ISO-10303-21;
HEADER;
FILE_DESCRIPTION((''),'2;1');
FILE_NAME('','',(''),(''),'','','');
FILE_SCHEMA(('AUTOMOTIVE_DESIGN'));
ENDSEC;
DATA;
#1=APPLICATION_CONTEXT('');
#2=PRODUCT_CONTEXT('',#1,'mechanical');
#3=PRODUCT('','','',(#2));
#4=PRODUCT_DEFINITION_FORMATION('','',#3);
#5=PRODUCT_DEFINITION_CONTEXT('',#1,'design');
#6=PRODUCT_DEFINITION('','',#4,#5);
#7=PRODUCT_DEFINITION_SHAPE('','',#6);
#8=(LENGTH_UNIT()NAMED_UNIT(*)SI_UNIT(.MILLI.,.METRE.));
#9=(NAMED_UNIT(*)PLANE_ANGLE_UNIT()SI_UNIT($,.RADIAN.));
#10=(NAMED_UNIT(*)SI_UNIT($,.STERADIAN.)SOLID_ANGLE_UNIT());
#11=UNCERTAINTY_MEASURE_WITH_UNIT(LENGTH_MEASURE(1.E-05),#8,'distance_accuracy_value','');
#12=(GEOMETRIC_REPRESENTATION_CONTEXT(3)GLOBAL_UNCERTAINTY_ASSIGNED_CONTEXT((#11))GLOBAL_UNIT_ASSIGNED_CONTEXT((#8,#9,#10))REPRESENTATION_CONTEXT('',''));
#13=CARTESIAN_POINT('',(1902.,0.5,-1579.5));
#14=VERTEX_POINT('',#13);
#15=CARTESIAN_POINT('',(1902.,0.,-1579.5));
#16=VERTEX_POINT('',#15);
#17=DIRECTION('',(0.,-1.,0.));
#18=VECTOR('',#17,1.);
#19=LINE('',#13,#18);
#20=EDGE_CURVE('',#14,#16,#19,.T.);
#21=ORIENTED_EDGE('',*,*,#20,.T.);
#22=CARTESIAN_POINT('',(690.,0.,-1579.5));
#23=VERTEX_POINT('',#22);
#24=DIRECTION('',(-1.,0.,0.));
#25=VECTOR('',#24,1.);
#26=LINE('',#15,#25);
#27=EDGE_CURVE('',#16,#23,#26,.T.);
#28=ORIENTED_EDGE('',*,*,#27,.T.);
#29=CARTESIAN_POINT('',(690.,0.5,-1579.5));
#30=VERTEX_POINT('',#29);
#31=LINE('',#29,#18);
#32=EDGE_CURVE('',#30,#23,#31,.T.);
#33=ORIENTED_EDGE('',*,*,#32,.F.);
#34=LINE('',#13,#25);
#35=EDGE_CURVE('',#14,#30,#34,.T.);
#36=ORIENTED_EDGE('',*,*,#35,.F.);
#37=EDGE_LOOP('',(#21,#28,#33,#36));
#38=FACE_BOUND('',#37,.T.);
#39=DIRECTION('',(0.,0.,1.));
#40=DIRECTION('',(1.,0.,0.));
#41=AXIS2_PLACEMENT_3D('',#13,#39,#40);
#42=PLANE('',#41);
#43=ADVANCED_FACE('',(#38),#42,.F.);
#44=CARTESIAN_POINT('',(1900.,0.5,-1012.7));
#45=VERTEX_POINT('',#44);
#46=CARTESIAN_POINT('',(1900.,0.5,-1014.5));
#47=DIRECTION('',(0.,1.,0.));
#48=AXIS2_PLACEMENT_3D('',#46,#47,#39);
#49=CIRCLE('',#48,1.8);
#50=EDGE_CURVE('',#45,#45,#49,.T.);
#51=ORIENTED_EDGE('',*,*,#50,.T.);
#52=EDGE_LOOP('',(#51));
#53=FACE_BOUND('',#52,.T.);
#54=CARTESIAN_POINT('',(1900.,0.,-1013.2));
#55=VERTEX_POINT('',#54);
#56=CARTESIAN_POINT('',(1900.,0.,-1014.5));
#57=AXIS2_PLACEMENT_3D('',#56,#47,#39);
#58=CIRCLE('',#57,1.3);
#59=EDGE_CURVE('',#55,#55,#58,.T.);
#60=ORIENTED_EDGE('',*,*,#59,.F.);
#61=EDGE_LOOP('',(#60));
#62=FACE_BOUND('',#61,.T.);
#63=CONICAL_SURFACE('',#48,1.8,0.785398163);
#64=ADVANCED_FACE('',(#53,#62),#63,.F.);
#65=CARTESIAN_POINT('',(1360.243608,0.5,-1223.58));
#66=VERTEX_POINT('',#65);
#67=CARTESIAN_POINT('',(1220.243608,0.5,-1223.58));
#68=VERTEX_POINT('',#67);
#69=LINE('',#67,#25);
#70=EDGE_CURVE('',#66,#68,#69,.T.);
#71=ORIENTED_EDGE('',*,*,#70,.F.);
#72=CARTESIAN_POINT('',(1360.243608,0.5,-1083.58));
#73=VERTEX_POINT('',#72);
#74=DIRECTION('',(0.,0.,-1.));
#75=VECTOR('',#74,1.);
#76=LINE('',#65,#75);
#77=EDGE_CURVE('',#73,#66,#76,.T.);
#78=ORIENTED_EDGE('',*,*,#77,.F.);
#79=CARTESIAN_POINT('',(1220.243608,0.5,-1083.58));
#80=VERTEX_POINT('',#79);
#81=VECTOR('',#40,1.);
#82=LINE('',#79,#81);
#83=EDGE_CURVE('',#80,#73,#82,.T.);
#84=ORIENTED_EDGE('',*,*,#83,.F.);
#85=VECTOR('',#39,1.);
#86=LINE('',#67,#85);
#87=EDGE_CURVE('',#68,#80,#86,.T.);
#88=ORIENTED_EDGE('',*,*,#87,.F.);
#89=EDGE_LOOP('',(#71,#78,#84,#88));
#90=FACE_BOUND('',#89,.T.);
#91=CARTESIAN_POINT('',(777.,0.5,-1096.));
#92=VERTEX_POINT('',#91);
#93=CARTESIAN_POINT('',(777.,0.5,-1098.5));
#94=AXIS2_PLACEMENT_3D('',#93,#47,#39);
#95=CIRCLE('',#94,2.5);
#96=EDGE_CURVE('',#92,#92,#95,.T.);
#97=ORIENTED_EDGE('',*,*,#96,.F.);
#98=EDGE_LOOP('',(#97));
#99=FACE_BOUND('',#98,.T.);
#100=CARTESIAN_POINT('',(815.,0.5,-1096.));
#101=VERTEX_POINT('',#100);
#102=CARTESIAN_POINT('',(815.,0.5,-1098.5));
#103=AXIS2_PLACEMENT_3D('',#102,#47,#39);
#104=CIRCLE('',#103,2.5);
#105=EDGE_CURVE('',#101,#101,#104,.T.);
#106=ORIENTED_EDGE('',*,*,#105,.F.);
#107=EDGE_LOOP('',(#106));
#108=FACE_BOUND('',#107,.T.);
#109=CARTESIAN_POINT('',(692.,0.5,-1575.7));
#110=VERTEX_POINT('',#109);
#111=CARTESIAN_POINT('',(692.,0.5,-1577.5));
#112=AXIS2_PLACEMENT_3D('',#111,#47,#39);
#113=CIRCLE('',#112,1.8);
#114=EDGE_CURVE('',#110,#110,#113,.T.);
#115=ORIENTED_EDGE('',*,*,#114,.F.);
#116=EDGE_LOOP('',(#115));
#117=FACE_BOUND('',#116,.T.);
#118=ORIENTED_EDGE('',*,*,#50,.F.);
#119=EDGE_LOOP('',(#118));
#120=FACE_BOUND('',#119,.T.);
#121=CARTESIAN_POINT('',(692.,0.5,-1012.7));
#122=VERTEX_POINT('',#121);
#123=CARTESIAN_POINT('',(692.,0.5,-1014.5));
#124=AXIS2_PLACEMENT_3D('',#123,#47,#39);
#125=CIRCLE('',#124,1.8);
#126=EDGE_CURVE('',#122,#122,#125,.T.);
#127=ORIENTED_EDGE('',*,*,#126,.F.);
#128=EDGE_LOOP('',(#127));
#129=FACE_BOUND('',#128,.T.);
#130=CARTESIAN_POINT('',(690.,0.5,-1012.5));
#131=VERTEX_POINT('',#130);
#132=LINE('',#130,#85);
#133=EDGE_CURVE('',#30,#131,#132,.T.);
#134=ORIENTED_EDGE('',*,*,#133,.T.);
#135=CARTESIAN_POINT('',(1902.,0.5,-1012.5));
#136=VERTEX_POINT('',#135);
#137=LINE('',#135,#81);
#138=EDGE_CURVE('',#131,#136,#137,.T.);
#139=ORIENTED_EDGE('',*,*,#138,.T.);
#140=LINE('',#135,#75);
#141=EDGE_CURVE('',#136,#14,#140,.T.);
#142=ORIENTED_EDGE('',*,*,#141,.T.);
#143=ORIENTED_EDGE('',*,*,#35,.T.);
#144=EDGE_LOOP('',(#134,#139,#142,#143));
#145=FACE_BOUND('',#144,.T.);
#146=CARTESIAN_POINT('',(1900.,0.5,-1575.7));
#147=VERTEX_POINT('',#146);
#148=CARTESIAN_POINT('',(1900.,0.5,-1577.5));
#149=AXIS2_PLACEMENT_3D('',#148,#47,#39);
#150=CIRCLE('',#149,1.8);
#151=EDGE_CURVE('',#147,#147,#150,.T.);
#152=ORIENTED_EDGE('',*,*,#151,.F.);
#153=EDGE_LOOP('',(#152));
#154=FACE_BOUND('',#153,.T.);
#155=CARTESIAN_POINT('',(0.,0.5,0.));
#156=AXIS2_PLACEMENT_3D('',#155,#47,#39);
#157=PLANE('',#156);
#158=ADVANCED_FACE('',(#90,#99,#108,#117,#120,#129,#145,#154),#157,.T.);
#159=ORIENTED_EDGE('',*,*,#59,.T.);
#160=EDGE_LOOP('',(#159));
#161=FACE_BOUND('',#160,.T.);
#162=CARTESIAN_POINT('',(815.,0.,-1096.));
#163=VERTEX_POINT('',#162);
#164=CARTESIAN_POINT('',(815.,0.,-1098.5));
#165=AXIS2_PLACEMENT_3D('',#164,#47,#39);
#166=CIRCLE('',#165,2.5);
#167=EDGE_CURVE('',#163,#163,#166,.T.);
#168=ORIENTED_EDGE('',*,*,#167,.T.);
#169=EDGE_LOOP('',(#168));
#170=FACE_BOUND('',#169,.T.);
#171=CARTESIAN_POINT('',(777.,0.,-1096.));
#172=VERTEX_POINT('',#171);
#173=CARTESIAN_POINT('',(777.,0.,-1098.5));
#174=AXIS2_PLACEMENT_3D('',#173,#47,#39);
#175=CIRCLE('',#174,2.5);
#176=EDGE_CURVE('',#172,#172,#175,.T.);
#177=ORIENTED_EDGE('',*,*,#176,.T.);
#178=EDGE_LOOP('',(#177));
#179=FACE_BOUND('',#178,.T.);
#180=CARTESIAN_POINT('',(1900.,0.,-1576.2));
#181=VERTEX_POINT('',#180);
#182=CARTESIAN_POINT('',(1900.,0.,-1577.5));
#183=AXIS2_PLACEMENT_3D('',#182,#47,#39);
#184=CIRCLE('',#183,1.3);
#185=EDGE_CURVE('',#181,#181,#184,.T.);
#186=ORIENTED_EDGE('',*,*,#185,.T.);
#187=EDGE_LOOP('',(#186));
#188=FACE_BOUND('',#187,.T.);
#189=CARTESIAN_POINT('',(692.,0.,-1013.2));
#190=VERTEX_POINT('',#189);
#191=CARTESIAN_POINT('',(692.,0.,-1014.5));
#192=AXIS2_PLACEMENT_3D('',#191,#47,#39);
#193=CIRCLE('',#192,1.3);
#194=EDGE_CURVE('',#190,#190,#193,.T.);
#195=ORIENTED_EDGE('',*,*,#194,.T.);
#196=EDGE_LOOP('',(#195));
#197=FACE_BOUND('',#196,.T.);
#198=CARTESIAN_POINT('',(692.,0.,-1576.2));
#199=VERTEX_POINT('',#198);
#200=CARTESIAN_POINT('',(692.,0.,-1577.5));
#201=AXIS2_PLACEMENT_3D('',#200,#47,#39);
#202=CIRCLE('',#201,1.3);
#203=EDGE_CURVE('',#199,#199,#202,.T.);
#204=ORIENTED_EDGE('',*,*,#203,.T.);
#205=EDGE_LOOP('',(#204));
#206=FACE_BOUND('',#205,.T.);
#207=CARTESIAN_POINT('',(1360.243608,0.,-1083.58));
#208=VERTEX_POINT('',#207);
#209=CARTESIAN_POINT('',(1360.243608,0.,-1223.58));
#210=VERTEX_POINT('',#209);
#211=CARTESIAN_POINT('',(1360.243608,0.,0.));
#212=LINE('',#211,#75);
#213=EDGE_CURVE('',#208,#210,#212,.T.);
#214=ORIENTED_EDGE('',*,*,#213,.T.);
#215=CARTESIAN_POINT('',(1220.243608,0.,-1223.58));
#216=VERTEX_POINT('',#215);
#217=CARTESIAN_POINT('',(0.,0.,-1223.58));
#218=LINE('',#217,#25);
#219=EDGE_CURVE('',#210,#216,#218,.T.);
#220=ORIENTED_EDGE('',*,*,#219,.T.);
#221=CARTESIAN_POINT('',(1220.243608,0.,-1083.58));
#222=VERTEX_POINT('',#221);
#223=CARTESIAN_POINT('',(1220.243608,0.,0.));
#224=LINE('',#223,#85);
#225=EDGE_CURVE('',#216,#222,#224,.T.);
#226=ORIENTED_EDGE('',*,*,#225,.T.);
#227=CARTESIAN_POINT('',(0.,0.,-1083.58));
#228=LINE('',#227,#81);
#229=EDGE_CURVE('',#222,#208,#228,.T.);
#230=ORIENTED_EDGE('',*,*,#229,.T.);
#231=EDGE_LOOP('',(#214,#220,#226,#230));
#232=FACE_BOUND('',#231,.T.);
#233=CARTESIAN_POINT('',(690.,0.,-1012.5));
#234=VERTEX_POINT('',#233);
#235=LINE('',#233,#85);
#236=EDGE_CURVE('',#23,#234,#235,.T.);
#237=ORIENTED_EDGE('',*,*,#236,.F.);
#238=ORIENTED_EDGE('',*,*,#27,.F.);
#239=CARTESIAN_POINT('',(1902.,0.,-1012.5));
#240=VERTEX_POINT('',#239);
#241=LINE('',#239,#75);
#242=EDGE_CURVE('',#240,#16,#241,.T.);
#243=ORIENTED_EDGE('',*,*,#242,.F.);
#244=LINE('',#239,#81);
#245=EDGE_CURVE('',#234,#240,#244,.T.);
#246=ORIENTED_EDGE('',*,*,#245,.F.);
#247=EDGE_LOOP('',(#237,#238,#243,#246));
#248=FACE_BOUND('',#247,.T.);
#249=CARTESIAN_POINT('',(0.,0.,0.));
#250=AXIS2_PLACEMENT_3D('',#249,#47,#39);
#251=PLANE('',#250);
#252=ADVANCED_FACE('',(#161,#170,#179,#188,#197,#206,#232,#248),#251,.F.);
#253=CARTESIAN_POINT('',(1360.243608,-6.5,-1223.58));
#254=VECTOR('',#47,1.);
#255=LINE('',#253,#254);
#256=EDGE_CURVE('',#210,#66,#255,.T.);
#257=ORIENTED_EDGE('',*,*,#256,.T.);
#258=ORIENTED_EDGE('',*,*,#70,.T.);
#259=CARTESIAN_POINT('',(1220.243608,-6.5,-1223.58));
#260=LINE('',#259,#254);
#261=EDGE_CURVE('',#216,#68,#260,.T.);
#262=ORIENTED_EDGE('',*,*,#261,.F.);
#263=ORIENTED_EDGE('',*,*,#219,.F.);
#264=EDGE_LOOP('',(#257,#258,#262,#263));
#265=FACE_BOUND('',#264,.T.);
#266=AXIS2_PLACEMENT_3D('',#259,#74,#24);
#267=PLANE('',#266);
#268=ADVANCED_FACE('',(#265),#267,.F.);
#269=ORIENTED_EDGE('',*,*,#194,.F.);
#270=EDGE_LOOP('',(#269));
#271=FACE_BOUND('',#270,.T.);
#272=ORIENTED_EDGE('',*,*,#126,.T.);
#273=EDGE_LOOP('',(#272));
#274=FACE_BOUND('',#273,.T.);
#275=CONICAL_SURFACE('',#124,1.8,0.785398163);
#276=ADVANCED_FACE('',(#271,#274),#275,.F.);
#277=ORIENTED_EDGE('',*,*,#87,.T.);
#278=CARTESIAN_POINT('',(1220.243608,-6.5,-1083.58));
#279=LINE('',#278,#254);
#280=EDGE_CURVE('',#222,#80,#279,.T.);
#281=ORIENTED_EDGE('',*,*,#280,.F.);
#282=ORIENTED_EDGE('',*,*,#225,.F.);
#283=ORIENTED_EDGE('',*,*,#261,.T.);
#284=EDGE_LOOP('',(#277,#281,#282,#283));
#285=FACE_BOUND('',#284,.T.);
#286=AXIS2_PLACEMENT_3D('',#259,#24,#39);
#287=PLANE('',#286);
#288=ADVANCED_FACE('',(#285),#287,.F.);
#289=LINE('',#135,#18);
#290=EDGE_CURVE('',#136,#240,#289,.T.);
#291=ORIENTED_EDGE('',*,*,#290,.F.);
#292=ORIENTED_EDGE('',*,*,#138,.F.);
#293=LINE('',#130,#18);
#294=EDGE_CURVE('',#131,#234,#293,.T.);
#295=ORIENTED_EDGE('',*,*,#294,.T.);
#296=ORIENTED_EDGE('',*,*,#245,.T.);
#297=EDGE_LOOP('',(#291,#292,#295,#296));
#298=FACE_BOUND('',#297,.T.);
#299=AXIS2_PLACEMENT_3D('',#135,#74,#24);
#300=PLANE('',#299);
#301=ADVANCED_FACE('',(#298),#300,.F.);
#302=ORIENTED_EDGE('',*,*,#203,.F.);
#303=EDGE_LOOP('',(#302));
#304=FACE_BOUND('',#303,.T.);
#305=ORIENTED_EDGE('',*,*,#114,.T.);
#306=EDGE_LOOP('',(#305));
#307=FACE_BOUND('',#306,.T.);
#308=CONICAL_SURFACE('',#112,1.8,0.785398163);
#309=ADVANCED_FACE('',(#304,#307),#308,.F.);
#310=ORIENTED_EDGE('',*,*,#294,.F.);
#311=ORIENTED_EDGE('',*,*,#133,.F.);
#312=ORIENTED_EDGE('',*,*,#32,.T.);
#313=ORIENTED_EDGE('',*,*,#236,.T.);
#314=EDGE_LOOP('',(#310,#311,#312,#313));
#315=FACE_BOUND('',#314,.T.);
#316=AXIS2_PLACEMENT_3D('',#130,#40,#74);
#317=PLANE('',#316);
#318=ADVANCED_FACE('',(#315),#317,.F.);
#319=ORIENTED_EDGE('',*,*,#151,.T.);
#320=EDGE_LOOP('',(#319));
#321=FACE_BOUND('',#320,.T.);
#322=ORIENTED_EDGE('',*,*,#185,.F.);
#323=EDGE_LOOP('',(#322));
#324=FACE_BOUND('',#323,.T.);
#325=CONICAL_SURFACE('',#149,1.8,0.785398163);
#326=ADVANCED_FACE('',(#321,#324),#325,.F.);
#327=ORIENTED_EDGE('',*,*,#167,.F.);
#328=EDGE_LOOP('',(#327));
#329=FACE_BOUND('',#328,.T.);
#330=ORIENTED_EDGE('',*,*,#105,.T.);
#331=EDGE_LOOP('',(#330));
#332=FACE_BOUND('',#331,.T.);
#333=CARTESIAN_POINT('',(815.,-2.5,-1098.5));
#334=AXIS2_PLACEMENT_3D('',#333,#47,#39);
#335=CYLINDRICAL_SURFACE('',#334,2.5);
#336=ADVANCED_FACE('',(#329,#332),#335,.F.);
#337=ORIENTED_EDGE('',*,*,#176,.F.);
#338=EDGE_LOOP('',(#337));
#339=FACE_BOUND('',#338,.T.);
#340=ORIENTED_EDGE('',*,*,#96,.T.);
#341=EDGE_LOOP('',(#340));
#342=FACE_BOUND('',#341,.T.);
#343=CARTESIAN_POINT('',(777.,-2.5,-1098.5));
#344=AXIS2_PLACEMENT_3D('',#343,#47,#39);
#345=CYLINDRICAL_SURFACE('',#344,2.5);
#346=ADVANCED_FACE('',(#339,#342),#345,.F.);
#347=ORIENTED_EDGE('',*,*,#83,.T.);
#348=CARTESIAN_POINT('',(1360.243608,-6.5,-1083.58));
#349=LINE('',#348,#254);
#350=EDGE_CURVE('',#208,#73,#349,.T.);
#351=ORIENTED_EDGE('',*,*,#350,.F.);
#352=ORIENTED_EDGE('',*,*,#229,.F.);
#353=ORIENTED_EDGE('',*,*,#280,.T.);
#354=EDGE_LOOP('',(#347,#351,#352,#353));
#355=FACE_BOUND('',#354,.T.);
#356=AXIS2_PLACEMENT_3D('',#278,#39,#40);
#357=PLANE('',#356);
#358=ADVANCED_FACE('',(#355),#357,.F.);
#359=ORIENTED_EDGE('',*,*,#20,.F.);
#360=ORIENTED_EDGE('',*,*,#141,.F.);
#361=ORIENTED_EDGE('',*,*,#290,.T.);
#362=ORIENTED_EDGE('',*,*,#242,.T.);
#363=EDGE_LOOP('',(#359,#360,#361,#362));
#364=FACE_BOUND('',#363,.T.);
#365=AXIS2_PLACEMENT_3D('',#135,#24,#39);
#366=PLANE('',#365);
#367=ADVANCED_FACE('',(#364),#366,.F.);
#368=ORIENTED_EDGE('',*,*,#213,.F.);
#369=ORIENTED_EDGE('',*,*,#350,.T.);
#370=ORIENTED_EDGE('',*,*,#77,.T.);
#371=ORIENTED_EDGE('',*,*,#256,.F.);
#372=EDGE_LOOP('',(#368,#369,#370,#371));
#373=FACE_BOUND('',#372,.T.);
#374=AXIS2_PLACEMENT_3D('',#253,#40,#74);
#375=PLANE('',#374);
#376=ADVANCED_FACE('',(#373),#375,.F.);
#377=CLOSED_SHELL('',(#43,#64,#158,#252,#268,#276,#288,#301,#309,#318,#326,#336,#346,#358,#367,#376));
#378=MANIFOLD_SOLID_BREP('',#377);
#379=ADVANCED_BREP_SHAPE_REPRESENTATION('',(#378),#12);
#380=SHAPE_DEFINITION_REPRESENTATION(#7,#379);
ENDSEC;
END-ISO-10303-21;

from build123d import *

# Parameters (mm, degrees)
SKETCH1_W                                            = 1212
SKETCH1_H                                            = 567
BOSS_EXTRUDE1_DEPTH                                  = 0.5
CSK_FOR_M1_6_COUNTERSUNK_FLAT_HEAD_SCREW_D           = 1.8
CSK_FOR_M1_6_COUNTERSUNK_FLAT_HEAD_SCREW_DEPTH       = 30
CSK_FOR_M1_6_COUNTERSUNK_FLAT_HEAD_SCREW_CSINK_D     = 3.6
CSK_FOR_M1_6_COUNTERSUNK_FLAT_HEAD_SCREW_CSINK_ANGLE = 90
CSK_FOR_M1_6_COUNTERSUNK_FLAT_HEAD_SCREW_TIP         = 0.540774557
SKETCH4_R                                            = 2.5
CUT_EXTRUDE1_DEPTH                                   = 3
SKETCH5_W                                            = 140
SKETCH5_H                                            = 140
CUT_EXTRUDE2_DEPTH                                   = 7


with BuildPart() as part:
    # Sketch1 → Boss-Extrude1 (new body)
    with BuildSketch(Plane(origin=(0, 0, 0), x_dir=(1, 0, 0), z_dir=(0, 1, 0))):
        with Locations((1295.999999997, 1296)):
            Rectangle(SKETCH1_W, SKETCH1_H)
    extrude(amount=BOSS_EXTRUDE1_DEPTH)

    # CSK for M1.6 Countersunk Flat Head Screw1
    with Locations(Plane(origin=(0, 0.5, 0), x_dir=(1, 0, 0), z_dir=(0, 1, 0))):
        with Locations((1899.999999997, 1577.5), (691.999999997, 1577.5), (691.999999997, 1014.5), (1899.999999997, 1014.5)):
            CounterSinkHole(CSK_FOR_M1_6_COUNTERSUNK_FLAT_HEAD_SCREW_D / 2, CSK_FOR_M1_6_COUNTERSUNK_FLAT_HEAD_SCREW_CSINK_D / 2, depth=CSK_FOR_M1_6_COUNTERSUNK_FLAT_HEAD_SCREW_DEPTH, counter_sink_angle=CSK_FOR_M1_6_COUNTERSUNK_FLAT_HEAD_SCREW_CSINK_ANGLE)
            with Locations((0, 0, -(CSK_FOR_M1_6_COUNTERSUNK_FLAT_HEAD_SCREW_DEPTH + CSK_FOR_M1_6_COUNTERSUNK_FLAT_HEAD_SCREW_TIP / 2))):  # 118° drill point
                Cone(0, CSK_FOR_M1_6_COUNTERSUNK_FLAT_HEAD_SCREW_D / 2, CSK_FOR_M1_6_COUNTERSUNK_FLAT_HEAD_SCREW_TIP, mode=Mode.SUBTRACT)

    # Sketch4 → Cut-Extrude1 (cut)
    with BuildSketch(Plane(origin=(0, 0.5, 0), x_dir=(1, 0, 0), z_dir=(0, 1, 0))):
        with Locations(Location((776.999999997, 1098.5, 0), (0, 0, 270))):
            Circle(SKETCH4_R)
        with Locations(Location((814.999999997, 1098.5, 0), (0, 0, 270))):
            Circle(SKETCH4_R)
    extrude(amount=-CUT_EXTRUDE1_DEPTH, mode=Mode.SUBTRACT)

    # Sketch5 → Cut-Extrude2 (cut)
    with BuildSketch(Plane(origin=(0, 0.5, 0), x_dir=(1, 0, 0), z_dir=(0, 1, 0))):
        with Locations((1290.243608368, 1153.58)):
            Rectangle(SKETCH5_W, SKETCH5_H)
    extrude(amount=-CUT_EXTRUDE2_DEPTH, mode=Mode.SUBTRACT)


solid = part.part
